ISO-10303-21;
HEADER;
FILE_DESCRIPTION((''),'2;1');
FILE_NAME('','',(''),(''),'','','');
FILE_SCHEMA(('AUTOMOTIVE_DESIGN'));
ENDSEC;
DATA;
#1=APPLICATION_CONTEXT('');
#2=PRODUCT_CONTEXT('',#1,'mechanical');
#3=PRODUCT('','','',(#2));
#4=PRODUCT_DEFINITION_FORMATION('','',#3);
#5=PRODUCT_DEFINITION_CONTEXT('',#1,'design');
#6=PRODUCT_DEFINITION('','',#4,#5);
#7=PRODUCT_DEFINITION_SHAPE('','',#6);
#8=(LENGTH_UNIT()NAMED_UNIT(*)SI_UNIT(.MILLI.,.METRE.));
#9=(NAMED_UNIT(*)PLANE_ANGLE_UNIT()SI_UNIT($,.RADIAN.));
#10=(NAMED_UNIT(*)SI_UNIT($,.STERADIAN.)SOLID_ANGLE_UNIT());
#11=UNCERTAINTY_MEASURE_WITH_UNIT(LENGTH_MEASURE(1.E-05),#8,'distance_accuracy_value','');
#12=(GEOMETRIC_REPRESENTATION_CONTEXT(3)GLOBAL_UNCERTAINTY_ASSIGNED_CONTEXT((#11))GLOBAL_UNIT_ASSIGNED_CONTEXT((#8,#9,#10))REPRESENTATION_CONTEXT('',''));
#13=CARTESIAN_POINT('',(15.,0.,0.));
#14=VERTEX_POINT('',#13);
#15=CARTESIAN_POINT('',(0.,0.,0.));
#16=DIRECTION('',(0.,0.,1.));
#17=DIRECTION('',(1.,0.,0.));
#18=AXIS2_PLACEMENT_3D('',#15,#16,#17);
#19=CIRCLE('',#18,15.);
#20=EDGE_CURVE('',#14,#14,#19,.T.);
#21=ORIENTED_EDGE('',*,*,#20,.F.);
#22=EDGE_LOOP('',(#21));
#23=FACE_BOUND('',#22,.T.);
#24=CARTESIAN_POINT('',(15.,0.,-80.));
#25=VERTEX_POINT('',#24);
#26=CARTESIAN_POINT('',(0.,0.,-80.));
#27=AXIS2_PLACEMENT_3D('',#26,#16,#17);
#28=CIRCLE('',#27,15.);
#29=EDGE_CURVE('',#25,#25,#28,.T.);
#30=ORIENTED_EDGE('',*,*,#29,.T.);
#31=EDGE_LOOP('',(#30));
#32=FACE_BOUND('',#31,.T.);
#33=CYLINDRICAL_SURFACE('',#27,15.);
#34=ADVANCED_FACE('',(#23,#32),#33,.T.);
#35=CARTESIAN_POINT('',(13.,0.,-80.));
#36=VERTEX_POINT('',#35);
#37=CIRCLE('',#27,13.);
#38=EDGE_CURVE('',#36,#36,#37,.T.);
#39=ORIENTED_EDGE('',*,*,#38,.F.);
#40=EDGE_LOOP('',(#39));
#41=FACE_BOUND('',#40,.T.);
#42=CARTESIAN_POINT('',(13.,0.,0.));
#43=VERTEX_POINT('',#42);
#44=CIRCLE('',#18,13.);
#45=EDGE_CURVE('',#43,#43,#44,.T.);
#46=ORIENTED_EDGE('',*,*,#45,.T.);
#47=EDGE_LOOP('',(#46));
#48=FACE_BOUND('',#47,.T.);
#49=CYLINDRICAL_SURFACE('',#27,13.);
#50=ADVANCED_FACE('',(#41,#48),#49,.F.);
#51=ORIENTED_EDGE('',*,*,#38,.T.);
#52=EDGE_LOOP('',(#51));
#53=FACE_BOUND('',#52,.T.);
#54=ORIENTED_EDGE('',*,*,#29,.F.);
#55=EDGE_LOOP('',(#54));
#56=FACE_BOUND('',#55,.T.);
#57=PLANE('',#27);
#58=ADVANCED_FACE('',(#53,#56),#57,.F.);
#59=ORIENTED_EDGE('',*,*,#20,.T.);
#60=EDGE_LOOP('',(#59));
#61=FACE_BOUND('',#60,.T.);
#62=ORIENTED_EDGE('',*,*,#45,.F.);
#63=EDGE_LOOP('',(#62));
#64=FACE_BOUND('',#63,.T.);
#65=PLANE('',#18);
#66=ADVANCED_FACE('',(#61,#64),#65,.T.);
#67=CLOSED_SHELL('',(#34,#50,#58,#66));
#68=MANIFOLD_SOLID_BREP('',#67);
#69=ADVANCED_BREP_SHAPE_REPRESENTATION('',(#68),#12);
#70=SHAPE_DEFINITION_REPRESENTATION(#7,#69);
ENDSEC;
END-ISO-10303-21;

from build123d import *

# Parameters (mm, degrees)
SKETCH_1_R      = 15
SKETCH_1_R_2    = 13
EXTRUDE_1_DEPTH = 80


with BuildPart() as part:
    # 草图1 → 凸台-拉伸1 (new body)
    with BuildSketch(Plane.XY):
        Circle(SKETCH_1_R)
        Circle(SKETCH_1_R_2, mode=Mode.SUBTRACT)
    extrude(amount=-EXTRUDE_1_DEPTH)


solid = part.part
